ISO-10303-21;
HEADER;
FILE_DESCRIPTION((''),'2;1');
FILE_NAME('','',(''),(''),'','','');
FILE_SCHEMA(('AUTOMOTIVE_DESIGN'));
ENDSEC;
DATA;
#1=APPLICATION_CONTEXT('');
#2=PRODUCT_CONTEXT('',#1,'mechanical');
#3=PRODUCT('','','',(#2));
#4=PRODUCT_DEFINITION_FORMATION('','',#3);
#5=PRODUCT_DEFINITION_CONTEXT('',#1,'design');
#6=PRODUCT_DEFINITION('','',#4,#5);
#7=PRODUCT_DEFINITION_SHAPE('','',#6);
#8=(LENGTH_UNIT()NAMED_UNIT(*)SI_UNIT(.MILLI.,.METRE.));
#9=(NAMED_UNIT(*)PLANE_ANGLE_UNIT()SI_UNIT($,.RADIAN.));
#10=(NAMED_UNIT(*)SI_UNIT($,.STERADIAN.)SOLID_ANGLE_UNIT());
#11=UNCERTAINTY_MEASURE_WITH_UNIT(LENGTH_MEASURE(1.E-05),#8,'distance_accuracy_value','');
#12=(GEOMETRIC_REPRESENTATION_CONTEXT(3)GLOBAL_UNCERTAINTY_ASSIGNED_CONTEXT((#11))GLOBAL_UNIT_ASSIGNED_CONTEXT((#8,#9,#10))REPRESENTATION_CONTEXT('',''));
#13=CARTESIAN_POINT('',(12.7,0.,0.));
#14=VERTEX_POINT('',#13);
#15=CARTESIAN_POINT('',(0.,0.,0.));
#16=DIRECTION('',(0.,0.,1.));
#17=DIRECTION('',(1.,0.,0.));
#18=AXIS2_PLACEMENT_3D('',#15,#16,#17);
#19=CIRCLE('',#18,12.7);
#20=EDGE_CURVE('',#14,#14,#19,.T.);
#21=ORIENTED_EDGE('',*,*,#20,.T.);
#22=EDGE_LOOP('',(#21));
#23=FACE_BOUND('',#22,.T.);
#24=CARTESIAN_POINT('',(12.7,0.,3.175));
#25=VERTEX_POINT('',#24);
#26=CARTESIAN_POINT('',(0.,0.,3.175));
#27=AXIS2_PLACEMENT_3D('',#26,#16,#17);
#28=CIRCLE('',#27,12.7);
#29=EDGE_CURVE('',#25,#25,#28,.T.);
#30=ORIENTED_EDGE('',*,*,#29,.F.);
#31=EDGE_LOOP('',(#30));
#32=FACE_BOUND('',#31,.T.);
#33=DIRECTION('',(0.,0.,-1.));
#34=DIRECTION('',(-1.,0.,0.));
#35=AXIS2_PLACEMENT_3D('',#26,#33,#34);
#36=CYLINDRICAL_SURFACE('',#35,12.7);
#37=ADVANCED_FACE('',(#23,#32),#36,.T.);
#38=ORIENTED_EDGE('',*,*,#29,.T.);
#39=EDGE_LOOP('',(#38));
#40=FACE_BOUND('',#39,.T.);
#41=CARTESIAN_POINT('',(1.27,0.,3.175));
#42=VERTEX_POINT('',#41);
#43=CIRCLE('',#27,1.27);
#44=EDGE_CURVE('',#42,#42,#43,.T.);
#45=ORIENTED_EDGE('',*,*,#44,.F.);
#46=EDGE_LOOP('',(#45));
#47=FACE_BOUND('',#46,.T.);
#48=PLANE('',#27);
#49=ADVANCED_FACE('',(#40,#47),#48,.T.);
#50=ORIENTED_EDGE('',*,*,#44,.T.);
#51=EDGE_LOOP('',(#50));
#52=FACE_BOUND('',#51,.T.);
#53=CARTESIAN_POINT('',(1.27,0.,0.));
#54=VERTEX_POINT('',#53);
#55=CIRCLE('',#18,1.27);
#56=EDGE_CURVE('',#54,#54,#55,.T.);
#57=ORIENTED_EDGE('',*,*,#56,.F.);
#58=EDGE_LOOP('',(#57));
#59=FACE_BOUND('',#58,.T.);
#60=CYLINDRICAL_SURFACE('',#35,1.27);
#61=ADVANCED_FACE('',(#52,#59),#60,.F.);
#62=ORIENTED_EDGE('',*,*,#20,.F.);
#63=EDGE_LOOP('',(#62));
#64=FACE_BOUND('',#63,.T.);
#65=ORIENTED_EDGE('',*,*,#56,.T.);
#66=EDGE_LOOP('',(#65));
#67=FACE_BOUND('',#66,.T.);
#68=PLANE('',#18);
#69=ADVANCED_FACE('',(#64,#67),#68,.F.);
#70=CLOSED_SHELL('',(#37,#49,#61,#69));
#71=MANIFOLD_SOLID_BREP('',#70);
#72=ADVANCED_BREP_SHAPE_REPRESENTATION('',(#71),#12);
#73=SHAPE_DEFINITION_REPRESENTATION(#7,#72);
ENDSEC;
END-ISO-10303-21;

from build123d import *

# Parameters (mm, degrees)
SKETCH1_R           = 12.7
SKETCH1_R_2         = 1.27
BOSS_EXTRUDE1_DEPTH = 3.175


with BuildPart() as part:
    # Sketch1 → Boss-Extrude1 (new body)
    with BuildSketch(Plane.XY):
        Circle(SKETCH1_R)
        Circle(SKETCH1_R_2, mode=Mode.SUBTRACT)
    extrude(amount=BOSS_EXTRUDE1_DEPTH)


solid = part.part
